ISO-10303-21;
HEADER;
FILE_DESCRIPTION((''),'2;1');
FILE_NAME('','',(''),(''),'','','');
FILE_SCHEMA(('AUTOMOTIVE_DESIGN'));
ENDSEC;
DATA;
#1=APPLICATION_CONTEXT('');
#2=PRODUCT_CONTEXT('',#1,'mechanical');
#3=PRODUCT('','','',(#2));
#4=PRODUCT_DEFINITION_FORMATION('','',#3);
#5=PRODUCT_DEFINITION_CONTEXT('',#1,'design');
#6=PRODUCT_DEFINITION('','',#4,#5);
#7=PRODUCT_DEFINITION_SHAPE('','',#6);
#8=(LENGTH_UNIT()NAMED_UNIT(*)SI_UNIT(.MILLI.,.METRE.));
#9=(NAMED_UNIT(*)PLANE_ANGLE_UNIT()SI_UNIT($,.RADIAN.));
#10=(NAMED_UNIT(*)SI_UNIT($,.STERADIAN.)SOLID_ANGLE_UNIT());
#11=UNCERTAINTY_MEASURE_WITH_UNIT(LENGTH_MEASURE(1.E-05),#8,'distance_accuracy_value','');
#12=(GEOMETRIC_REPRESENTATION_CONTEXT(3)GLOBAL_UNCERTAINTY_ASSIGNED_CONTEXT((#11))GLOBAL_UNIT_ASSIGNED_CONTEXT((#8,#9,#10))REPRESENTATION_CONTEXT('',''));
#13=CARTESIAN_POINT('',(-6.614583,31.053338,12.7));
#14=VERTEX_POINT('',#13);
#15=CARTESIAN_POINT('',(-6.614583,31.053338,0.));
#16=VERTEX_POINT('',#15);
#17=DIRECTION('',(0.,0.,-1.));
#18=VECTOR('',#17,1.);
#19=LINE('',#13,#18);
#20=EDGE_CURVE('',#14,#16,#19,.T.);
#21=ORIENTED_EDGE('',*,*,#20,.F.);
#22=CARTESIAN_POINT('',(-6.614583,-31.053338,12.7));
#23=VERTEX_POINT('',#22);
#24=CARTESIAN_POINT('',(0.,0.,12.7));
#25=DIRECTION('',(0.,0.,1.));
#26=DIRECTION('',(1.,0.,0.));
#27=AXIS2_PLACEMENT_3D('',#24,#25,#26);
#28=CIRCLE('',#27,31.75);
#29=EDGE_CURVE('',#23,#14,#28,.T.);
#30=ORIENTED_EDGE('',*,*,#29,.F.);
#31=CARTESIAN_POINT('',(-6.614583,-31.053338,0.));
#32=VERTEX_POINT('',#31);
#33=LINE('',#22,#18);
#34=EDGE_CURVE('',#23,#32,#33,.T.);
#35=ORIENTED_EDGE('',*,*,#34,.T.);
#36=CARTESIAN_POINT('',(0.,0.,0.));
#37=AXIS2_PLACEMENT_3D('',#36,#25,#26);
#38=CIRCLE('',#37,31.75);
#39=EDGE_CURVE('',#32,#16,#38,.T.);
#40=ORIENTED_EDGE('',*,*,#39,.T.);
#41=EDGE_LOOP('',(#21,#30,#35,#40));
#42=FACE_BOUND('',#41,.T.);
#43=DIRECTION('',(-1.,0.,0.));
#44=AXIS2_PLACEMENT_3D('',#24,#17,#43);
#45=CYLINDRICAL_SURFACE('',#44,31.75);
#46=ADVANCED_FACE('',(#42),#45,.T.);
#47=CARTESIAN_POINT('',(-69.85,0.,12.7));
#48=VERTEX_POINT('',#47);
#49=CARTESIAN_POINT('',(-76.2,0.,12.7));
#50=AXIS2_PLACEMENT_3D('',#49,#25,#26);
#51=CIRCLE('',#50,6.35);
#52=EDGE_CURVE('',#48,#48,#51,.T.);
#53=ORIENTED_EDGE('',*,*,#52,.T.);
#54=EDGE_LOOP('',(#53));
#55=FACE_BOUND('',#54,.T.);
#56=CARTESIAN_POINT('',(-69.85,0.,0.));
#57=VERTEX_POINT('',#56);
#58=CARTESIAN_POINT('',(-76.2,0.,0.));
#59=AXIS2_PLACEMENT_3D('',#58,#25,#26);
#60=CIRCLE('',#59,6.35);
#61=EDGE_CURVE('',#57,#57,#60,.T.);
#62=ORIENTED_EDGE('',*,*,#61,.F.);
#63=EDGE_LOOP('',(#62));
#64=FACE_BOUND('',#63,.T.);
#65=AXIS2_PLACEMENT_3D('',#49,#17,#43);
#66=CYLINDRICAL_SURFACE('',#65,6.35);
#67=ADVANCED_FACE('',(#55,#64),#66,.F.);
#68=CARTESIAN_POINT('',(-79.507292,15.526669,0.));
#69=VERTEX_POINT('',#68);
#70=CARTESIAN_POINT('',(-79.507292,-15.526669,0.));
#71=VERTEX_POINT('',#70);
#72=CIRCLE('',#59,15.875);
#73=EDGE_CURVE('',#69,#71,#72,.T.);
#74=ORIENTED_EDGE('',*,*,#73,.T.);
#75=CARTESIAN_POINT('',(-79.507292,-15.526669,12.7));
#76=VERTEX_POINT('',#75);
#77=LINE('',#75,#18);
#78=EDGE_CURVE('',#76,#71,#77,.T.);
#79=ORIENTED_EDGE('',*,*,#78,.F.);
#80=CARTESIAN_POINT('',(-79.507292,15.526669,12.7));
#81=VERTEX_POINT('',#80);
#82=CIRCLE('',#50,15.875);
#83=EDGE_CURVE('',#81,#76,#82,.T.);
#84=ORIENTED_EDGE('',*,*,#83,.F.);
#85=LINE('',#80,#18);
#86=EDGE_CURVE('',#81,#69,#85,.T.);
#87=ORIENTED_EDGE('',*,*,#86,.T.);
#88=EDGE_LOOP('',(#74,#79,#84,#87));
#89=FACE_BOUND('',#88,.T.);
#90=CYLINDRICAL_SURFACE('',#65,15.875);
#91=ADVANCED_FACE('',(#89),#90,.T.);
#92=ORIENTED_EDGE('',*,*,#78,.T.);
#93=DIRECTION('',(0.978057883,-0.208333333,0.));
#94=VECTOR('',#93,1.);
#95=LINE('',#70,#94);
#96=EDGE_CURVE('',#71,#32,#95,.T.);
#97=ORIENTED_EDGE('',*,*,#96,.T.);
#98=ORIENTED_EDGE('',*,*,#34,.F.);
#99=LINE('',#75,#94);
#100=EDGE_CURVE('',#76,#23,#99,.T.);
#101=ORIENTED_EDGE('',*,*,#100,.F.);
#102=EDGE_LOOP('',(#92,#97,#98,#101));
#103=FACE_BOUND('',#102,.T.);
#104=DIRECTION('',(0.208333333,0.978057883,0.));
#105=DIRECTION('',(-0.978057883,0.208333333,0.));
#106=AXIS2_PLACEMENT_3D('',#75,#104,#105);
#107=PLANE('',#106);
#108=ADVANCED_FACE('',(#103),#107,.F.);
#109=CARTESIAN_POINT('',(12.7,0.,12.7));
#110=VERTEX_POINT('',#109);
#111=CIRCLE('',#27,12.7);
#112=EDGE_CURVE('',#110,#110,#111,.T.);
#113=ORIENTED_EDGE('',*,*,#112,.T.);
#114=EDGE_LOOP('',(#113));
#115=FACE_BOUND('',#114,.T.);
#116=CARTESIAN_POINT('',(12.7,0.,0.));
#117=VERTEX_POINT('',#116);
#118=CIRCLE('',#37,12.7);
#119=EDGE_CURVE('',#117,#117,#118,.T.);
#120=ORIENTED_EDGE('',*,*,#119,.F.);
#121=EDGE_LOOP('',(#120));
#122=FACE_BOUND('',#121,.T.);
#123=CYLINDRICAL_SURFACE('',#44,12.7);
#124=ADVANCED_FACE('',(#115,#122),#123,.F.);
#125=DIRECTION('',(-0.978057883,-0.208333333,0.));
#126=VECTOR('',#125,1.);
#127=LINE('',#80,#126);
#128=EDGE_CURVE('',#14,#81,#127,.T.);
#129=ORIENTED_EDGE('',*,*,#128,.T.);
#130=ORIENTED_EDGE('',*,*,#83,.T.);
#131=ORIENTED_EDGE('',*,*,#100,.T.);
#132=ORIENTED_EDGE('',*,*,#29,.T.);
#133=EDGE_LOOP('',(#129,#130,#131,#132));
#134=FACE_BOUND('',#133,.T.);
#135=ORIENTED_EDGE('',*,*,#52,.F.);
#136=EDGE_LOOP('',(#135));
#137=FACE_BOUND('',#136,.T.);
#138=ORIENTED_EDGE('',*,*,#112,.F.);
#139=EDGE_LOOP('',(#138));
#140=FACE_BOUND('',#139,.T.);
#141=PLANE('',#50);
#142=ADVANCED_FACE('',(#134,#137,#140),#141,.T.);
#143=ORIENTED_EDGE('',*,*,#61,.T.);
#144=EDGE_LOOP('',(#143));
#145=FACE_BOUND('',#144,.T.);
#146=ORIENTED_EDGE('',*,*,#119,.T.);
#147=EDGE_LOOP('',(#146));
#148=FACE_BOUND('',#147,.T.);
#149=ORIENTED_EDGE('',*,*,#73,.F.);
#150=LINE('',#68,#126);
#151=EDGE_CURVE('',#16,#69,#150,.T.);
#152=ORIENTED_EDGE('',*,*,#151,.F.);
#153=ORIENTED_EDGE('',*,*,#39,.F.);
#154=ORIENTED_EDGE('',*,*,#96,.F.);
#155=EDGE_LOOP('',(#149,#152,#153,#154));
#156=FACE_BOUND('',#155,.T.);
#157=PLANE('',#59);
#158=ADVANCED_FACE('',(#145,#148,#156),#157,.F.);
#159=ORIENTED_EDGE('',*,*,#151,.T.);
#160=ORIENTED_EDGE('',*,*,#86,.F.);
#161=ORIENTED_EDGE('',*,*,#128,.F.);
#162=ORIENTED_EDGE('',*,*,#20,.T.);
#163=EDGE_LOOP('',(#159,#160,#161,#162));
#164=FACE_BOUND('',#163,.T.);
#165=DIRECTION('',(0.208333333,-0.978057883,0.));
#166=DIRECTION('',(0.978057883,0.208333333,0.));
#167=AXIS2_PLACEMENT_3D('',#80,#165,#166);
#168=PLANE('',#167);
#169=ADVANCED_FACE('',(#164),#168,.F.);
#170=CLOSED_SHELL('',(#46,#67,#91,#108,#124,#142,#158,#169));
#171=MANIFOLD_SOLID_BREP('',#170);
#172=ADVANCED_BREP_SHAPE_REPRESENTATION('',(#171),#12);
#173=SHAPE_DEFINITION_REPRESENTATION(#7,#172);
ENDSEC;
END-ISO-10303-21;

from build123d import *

# Parameters (mm, degrees)
SKETCH1_R           = 6.35
SKETCH1_R_2         = 12.7
BOSS_EXTRUDE1_DEPTH = 12.7


with BuildPart() as part:
    # Sketch1 → Boss-Extrude1 (new body)
    with BuildSketch(Plane.XY):
        with BuildLine():
            Line((-79.507291667, -15.52666889), (-6.614583333, -31.053337781))
            ThreePointArc((-6.614583333, -31.053337781), (31.75, 0), (-6.614583333, 31.053337781))
            Line((-6.614583333, 31.053337781), (-79.507291667, 15.52666889))
            ThreePointArc((-79.507291667, 15.52666889), (-92.075, 0), (-79.507291667, -15.52666889))
        make_face()
        with Locations((-76.2, 0)):
            Circle(SKETCH1_R, mode=Mode.SUBTRACT)
        Circle(SKETCH1_R_2, mode=Mode.SUBTRACT)
    extrude(amount=BOSS_EXTRUDE1_DEPTH)


solid = part.part
